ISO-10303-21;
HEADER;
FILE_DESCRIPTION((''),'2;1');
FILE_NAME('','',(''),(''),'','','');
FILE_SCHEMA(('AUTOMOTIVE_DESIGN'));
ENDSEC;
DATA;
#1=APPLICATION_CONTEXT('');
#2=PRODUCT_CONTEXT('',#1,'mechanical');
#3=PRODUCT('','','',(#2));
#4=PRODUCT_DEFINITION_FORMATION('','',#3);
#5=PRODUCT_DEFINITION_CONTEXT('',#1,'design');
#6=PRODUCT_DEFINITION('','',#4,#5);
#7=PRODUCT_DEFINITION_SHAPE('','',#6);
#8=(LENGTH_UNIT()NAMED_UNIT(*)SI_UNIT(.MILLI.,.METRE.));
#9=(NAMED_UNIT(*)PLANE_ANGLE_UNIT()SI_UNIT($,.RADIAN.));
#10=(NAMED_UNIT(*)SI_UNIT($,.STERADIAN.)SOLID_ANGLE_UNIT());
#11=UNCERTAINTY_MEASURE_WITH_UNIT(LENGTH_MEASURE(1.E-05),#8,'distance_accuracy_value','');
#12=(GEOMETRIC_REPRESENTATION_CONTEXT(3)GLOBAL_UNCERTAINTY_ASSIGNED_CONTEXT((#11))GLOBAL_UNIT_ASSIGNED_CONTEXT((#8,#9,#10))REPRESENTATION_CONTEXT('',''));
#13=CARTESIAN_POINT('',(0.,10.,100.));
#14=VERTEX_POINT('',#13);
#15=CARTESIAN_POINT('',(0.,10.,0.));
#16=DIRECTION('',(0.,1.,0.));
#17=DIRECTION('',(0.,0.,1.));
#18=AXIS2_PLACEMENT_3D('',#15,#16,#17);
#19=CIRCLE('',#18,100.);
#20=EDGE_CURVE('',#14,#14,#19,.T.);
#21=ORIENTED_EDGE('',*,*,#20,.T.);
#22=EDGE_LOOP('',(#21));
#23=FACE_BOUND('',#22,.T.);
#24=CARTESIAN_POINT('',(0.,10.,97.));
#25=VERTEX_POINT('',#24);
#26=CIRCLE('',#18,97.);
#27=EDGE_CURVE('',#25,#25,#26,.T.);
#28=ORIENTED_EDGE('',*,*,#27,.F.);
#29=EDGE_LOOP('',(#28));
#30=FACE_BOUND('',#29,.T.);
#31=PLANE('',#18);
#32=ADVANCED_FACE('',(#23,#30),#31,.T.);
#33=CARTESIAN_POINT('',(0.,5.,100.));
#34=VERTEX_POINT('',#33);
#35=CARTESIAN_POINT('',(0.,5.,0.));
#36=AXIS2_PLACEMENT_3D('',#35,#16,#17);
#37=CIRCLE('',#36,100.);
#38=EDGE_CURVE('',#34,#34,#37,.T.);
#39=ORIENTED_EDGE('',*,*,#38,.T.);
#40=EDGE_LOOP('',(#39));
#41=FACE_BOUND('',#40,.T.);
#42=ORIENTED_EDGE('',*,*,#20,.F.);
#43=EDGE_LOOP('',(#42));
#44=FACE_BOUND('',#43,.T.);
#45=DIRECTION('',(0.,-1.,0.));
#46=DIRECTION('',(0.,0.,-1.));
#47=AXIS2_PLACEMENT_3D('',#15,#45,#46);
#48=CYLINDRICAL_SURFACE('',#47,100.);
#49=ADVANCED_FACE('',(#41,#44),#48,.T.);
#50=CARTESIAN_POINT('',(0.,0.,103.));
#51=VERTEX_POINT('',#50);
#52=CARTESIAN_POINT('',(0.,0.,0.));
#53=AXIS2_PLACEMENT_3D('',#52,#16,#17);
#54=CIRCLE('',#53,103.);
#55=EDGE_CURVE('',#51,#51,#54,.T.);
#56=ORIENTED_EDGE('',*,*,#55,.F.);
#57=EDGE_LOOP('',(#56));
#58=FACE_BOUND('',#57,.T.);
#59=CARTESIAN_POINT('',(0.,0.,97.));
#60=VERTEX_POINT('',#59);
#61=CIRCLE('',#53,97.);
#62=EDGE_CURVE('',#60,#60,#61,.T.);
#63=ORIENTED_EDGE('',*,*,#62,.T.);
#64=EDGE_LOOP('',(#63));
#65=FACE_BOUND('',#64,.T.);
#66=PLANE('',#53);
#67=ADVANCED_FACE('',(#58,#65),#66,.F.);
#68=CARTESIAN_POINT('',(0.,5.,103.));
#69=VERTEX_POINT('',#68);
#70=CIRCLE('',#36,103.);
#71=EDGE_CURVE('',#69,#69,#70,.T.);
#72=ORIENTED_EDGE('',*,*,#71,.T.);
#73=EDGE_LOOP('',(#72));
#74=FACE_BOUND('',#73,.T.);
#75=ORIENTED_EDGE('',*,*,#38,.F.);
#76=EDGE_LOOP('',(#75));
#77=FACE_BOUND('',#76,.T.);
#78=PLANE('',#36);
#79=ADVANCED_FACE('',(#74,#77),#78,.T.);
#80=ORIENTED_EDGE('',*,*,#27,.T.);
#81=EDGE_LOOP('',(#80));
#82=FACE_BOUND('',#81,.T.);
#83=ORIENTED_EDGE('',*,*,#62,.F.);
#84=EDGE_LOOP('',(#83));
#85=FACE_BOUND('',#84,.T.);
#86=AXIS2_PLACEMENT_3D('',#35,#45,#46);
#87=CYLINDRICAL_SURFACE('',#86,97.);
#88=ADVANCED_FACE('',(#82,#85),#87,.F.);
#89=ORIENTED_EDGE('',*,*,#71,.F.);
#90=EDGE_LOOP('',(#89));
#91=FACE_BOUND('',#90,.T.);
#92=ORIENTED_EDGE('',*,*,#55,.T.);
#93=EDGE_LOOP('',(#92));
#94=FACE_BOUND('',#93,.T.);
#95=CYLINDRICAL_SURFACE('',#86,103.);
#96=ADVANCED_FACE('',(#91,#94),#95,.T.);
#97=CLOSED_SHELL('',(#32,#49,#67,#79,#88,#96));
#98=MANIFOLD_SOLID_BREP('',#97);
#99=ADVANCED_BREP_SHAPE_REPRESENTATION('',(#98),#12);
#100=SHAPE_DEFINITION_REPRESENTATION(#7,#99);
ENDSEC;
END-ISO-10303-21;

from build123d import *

# Parameters (mm, degrees)
SKETCH_1_R      = 103
SKETCH_1_R_2    = 97
EXTRUDE_1_DEPTH = 5
SKETCH_2_R      = 100
SKETCH_2_R_2    = 97
EXTRUDE_2_DEPTH = 5


with BuildPart() as part:
    # 草图1 → 凸台-拉伸1 (new body)
    with BuildSketch(Plane(origin=(0, 0, 0), x_dir=(1, 0, 0), z_dir=(0, 1, 0))):
        with Locations(Location((0, 0, 0), (0, 0, 270))):
            Circle(SKETCH_1_R)
        with Locations(Location((0, 0, 0), (0, 0, 270))):
            Circle(SKETCH_1_R_2, mode=Mode.SUBTRACT)
    extrude(amount=EXTRUDE_1_DEPTH)

    # 草图2 → 凸台-拉伸2 (add)
    with BuildSketch(Plane(origin=(0, 5, 0), x_dir=(1, 0, 0), z_dir=(0, 1, 0))):
        with Locations(Location((0, 0, 0), (0, 0, 270))):
            Circle(SKETCH_2_R)
        with Locations(Location((0, 0, 0), (0, 0, 270))):
            Circle(SKETCH_2_R_2, mode=Mode.SUBTRACT)
    extrude(amount=EXTRUDE_2_DEPTH)


solid = part.part
